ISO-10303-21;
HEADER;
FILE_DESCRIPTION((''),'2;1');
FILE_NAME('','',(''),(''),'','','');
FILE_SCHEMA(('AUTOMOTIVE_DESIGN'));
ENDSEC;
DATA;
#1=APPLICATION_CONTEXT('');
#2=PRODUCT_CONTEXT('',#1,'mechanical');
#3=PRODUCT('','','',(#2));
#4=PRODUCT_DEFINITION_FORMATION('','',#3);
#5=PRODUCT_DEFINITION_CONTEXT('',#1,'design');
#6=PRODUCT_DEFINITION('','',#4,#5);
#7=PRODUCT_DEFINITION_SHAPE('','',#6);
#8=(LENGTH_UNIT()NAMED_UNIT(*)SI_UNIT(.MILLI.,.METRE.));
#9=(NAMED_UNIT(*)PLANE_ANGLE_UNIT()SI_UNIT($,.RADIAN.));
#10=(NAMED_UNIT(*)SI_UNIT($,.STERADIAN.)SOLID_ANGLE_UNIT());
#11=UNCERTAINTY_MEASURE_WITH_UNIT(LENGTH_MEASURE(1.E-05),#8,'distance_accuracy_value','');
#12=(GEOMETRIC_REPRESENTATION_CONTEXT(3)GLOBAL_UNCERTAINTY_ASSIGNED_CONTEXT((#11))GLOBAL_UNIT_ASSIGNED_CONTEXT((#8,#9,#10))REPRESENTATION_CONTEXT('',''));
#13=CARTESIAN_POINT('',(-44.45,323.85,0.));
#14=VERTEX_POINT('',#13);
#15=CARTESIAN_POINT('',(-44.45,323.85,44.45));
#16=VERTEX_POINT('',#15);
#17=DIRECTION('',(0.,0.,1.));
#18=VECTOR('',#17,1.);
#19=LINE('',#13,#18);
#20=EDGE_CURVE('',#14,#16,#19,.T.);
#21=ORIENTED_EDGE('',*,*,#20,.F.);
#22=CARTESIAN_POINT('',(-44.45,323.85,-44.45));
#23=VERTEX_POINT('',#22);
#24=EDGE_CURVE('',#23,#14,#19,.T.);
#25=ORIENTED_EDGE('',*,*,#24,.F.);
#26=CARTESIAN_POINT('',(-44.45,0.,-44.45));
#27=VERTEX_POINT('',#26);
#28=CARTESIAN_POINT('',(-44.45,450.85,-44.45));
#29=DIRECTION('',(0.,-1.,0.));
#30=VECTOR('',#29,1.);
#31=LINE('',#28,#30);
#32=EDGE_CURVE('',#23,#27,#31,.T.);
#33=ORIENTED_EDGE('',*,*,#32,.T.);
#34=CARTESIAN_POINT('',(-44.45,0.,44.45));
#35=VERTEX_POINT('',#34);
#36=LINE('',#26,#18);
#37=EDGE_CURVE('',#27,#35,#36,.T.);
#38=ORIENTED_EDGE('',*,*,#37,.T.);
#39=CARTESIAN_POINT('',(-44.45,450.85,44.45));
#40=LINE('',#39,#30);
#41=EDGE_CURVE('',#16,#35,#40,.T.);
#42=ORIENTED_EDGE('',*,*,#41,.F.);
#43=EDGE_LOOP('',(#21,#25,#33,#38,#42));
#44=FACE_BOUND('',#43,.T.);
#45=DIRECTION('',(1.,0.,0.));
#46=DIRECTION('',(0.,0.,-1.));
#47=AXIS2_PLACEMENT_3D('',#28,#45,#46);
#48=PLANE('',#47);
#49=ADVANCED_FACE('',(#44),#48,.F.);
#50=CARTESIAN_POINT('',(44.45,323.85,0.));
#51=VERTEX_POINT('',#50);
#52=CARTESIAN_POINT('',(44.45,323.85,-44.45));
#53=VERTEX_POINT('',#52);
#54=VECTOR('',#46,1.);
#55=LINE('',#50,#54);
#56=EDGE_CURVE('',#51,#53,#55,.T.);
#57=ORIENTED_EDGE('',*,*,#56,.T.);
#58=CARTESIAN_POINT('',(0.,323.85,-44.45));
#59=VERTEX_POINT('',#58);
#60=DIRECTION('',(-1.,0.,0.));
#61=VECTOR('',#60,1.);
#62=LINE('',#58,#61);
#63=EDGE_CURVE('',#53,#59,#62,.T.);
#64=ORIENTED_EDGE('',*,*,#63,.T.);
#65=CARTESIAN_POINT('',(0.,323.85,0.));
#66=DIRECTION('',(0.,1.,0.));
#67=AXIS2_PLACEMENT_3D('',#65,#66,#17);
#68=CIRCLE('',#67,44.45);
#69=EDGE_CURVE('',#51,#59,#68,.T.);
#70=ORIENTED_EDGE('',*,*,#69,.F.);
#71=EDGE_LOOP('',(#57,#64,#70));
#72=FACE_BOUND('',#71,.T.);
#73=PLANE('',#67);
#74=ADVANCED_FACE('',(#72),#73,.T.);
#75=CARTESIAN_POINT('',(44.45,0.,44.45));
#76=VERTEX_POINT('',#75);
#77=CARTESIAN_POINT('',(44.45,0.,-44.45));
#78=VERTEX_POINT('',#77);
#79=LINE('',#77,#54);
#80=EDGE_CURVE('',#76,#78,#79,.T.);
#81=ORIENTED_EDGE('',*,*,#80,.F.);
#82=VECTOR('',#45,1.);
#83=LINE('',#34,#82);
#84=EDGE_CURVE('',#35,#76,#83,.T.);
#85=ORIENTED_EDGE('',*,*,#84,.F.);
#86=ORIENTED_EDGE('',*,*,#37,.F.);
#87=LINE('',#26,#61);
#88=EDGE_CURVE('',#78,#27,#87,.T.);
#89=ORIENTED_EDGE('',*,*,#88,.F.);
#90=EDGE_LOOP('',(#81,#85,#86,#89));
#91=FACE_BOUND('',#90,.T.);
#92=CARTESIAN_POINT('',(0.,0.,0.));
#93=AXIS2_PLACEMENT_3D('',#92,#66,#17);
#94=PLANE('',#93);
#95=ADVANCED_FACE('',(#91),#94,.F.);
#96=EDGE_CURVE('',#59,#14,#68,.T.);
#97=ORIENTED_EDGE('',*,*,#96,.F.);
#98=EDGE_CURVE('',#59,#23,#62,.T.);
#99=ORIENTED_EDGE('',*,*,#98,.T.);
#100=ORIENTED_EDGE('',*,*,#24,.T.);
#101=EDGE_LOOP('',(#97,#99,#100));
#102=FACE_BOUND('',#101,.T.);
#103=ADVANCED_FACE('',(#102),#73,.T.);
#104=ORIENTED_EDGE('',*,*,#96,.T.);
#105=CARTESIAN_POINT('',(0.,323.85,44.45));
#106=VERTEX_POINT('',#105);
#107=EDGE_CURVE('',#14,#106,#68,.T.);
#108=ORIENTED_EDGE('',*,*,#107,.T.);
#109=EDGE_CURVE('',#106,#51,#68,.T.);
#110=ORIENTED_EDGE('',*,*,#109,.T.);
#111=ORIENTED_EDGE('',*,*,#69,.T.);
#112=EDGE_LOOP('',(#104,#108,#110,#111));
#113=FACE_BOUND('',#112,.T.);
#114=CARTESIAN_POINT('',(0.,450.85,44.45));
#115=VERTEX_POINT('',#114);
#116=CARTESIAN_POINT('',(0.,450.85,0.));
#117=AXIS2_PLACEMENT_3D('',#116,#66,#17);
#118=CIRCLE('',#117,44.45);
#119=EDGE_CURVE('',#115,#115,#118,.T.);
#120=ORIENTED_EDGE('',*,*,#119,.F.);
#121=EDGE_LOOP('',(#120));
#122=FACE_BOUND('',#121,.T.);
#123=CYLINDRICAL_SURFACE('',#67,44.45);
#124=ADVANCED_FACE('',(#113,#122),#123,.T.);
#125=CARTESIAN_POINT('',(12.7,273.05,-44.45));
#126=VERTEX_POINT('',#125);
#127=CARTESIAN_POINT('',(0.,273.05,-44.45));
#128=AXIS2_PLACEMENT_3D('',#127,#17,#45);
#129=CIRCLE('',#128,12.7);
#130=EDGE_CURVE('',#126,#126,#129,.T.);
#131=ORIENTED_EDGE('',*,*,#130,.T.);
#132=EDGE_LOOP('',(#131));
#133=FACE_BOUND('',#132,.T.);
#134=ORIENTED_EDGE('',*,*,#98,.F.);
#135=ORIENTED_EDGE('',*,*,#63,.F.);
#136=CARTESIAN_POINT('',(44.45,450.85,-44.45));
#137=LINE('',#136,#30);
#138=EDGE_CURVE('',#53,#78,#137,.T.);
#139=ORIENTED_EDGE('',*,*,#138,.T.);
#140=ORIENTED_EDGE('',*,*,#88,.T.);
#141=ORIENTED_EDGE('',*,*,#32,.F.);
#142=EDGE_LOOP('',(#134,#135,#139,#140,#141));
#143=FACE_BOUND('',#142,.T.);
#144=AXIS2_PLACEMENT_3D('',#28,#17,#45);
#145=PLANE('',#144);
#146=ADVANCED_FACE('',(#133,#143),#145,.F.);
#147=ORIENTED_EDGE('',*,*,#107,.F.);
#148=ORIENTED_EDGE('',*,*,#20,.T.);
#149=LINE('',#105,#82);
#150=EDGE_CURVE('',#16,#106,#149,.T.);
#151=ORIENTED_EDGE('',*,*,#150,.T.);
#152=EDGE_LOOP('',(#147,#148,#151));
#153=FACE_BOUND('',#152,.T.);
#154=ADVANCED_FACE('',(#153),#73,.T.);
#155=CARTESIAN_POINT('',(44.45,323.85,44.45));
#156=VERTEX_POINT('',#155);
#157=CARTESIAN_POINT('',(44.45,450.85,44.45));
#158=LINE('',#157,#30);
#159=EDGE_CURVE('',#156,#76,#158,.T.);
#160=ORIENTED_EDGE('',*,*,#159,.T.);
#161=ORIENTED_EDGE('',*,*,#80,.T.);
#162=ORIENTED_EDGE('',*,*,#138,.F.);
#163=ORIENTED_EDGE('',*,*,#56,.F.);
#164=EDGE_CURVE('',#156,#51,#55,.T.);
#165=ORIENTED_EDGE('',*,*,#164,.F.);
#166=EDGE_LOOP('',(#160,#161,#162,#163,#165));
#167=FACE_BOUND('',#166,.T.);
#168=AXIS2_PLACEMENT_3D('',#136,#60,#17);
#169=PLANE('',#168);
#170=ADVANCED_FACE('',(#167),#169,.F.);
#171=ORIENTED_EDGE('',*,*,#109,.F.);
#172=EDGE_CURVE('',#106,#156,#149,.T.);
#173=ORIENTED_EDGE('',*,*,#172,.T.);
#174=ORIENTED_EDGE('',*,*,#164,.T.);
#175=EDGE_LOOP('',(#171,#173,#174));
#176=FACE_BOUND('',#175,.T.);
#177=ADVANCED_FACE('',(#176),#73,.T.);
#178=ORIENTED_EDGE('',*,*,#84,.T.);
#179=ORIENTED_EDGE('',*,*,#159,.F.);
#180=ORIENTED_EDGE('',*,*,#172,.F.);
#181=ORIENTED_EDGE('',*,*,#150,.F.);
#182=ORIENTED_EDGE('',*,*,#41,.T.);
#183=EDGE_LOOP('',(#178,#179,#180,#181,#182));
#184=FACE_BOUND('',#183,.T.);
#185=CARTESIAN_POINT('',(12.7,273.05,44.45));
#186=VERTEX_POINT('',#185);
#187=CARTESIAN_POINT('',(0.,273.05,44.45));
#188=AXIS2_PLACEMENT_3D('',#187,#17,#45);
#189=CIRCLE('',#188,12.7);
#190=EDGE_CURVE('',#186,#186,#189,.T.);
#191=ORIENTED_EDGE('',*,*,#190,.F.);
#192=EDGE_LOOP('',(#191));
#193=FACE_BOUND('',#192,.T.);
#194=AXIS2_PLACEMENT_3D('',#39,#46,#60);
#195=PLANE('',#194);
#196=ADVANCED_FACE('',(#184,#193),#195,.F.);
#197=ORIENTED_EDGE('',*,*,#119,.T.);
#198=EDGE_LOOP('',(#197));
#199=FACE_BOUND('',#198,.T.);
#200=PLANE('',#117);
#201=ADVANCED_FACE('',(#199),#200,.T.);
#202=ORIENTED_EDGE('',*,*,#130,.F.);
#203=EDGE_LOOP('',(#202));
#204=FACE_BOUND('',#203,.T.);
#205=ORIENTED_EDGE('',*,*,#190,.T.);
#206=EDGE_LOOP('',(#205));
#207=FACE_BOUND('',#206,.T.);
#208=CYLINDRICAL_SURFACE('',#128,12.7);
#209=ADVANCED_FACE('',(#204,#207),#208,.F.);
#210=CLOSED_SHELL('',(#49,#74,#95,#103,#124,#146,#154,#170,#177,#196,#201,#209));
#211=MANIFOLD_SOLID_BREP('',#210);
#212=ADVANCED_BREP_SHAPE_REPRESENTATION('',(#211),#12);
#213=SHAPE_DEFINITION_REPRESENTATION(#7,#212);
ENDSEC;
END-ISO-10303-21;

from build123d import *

# Parameters (mm, degrees)
SKETCH1_W               = 88.9
SKETCH1_H               = 88.9
BOSS_EXTRUDE1_DEPTH     = 450.85
CUT_EXTRUDE1_DEPTH      = 127
CUT_EXTRUDE2_DEPTH      = 456.211299838
CUT_EXTRUDE2_DEPTH_BACK = 456.211299838
SKETCH3_R               = 12.7


with BuildPart() as part:
    # Sketch1 → Boss-Extrude1 (new body)
    with BuildSketch(Plane(origin=(0, 0, 0), x_dir=(1, 0, 0), z_dir=(0, 1, 0))):
        Rectangle(SKETCH1_W, SKETCH1_H)
    extrude(amount=BOSS_EXTRUDE1_DEPTH)

    # Sketch2 → Cut-Extrude1 (cut)
    with BuildSketch(Plane(origin=(0, 450.85, 0), x_dir=(1, 0, 0), z_dir=(0, 1, 0))):
        with BuildLine():
            Line((-44.45, -44.45), (-1.97e-07, -44.45))
            ThreePointArc((-1.97e-07, -44.45), (-31.430896472, -31.430896376), (-44.45, -6.1e-08))
            Line((-44.45, -6.1e-08), (-44.45, -44.45))
        make_face()
        with BuildLine():
            ThreePointArc((-44.45, -6.1e-08), (-31.430896452, 31.430896396), (-1.8e-08, 44.45))
            Line((-1.8e-08, 44.45), (-44.45, 44.45))
            Line((-44.45, 44.45), (-44.45, -6.1e-08))
        make_face()
        with BuildLine():
            ThreePointArc((-1.8e-08, 44.45), (31.430896417, 31.43089643), (44.45, 0))
            Line((44.45, 0), (44.45, 44.45))
            Line((44.45, 44.45), (-1.8e-08, 44.45))
        make_face()
        with BuildLine():
            Line((44.45, -44.45), (44.45, 0))
            ThreePointArc((44.45, 0), (31.430896354, -31.430896493), (-1.97e-07, -44.45))
            Line((-1.97e-07, -44.45), (44.45, -44.45))
        make_face()
    extrude(amount=-CUT_EXTRUDE1_DEPTH, mode=Mode.SUBTRACT)

    # Sketch3 → Cut-Extrude2 (cut, two sides: drawn at the far end of the back side and taken through both)
    with BuildSketch(Plane.XY.offset(-CUT_EXTRUDE2_DEPTH_BACK)):
        with Locations((0, 273.05)):
            Circle(SKETCH3_R)
    extrude(amount=CUT_EXTRUDE2_DEPTH + CUT_EXTRUDE2_DEPTH_BACK, mode=Mode.SUBTRACT)


solid = part.part
